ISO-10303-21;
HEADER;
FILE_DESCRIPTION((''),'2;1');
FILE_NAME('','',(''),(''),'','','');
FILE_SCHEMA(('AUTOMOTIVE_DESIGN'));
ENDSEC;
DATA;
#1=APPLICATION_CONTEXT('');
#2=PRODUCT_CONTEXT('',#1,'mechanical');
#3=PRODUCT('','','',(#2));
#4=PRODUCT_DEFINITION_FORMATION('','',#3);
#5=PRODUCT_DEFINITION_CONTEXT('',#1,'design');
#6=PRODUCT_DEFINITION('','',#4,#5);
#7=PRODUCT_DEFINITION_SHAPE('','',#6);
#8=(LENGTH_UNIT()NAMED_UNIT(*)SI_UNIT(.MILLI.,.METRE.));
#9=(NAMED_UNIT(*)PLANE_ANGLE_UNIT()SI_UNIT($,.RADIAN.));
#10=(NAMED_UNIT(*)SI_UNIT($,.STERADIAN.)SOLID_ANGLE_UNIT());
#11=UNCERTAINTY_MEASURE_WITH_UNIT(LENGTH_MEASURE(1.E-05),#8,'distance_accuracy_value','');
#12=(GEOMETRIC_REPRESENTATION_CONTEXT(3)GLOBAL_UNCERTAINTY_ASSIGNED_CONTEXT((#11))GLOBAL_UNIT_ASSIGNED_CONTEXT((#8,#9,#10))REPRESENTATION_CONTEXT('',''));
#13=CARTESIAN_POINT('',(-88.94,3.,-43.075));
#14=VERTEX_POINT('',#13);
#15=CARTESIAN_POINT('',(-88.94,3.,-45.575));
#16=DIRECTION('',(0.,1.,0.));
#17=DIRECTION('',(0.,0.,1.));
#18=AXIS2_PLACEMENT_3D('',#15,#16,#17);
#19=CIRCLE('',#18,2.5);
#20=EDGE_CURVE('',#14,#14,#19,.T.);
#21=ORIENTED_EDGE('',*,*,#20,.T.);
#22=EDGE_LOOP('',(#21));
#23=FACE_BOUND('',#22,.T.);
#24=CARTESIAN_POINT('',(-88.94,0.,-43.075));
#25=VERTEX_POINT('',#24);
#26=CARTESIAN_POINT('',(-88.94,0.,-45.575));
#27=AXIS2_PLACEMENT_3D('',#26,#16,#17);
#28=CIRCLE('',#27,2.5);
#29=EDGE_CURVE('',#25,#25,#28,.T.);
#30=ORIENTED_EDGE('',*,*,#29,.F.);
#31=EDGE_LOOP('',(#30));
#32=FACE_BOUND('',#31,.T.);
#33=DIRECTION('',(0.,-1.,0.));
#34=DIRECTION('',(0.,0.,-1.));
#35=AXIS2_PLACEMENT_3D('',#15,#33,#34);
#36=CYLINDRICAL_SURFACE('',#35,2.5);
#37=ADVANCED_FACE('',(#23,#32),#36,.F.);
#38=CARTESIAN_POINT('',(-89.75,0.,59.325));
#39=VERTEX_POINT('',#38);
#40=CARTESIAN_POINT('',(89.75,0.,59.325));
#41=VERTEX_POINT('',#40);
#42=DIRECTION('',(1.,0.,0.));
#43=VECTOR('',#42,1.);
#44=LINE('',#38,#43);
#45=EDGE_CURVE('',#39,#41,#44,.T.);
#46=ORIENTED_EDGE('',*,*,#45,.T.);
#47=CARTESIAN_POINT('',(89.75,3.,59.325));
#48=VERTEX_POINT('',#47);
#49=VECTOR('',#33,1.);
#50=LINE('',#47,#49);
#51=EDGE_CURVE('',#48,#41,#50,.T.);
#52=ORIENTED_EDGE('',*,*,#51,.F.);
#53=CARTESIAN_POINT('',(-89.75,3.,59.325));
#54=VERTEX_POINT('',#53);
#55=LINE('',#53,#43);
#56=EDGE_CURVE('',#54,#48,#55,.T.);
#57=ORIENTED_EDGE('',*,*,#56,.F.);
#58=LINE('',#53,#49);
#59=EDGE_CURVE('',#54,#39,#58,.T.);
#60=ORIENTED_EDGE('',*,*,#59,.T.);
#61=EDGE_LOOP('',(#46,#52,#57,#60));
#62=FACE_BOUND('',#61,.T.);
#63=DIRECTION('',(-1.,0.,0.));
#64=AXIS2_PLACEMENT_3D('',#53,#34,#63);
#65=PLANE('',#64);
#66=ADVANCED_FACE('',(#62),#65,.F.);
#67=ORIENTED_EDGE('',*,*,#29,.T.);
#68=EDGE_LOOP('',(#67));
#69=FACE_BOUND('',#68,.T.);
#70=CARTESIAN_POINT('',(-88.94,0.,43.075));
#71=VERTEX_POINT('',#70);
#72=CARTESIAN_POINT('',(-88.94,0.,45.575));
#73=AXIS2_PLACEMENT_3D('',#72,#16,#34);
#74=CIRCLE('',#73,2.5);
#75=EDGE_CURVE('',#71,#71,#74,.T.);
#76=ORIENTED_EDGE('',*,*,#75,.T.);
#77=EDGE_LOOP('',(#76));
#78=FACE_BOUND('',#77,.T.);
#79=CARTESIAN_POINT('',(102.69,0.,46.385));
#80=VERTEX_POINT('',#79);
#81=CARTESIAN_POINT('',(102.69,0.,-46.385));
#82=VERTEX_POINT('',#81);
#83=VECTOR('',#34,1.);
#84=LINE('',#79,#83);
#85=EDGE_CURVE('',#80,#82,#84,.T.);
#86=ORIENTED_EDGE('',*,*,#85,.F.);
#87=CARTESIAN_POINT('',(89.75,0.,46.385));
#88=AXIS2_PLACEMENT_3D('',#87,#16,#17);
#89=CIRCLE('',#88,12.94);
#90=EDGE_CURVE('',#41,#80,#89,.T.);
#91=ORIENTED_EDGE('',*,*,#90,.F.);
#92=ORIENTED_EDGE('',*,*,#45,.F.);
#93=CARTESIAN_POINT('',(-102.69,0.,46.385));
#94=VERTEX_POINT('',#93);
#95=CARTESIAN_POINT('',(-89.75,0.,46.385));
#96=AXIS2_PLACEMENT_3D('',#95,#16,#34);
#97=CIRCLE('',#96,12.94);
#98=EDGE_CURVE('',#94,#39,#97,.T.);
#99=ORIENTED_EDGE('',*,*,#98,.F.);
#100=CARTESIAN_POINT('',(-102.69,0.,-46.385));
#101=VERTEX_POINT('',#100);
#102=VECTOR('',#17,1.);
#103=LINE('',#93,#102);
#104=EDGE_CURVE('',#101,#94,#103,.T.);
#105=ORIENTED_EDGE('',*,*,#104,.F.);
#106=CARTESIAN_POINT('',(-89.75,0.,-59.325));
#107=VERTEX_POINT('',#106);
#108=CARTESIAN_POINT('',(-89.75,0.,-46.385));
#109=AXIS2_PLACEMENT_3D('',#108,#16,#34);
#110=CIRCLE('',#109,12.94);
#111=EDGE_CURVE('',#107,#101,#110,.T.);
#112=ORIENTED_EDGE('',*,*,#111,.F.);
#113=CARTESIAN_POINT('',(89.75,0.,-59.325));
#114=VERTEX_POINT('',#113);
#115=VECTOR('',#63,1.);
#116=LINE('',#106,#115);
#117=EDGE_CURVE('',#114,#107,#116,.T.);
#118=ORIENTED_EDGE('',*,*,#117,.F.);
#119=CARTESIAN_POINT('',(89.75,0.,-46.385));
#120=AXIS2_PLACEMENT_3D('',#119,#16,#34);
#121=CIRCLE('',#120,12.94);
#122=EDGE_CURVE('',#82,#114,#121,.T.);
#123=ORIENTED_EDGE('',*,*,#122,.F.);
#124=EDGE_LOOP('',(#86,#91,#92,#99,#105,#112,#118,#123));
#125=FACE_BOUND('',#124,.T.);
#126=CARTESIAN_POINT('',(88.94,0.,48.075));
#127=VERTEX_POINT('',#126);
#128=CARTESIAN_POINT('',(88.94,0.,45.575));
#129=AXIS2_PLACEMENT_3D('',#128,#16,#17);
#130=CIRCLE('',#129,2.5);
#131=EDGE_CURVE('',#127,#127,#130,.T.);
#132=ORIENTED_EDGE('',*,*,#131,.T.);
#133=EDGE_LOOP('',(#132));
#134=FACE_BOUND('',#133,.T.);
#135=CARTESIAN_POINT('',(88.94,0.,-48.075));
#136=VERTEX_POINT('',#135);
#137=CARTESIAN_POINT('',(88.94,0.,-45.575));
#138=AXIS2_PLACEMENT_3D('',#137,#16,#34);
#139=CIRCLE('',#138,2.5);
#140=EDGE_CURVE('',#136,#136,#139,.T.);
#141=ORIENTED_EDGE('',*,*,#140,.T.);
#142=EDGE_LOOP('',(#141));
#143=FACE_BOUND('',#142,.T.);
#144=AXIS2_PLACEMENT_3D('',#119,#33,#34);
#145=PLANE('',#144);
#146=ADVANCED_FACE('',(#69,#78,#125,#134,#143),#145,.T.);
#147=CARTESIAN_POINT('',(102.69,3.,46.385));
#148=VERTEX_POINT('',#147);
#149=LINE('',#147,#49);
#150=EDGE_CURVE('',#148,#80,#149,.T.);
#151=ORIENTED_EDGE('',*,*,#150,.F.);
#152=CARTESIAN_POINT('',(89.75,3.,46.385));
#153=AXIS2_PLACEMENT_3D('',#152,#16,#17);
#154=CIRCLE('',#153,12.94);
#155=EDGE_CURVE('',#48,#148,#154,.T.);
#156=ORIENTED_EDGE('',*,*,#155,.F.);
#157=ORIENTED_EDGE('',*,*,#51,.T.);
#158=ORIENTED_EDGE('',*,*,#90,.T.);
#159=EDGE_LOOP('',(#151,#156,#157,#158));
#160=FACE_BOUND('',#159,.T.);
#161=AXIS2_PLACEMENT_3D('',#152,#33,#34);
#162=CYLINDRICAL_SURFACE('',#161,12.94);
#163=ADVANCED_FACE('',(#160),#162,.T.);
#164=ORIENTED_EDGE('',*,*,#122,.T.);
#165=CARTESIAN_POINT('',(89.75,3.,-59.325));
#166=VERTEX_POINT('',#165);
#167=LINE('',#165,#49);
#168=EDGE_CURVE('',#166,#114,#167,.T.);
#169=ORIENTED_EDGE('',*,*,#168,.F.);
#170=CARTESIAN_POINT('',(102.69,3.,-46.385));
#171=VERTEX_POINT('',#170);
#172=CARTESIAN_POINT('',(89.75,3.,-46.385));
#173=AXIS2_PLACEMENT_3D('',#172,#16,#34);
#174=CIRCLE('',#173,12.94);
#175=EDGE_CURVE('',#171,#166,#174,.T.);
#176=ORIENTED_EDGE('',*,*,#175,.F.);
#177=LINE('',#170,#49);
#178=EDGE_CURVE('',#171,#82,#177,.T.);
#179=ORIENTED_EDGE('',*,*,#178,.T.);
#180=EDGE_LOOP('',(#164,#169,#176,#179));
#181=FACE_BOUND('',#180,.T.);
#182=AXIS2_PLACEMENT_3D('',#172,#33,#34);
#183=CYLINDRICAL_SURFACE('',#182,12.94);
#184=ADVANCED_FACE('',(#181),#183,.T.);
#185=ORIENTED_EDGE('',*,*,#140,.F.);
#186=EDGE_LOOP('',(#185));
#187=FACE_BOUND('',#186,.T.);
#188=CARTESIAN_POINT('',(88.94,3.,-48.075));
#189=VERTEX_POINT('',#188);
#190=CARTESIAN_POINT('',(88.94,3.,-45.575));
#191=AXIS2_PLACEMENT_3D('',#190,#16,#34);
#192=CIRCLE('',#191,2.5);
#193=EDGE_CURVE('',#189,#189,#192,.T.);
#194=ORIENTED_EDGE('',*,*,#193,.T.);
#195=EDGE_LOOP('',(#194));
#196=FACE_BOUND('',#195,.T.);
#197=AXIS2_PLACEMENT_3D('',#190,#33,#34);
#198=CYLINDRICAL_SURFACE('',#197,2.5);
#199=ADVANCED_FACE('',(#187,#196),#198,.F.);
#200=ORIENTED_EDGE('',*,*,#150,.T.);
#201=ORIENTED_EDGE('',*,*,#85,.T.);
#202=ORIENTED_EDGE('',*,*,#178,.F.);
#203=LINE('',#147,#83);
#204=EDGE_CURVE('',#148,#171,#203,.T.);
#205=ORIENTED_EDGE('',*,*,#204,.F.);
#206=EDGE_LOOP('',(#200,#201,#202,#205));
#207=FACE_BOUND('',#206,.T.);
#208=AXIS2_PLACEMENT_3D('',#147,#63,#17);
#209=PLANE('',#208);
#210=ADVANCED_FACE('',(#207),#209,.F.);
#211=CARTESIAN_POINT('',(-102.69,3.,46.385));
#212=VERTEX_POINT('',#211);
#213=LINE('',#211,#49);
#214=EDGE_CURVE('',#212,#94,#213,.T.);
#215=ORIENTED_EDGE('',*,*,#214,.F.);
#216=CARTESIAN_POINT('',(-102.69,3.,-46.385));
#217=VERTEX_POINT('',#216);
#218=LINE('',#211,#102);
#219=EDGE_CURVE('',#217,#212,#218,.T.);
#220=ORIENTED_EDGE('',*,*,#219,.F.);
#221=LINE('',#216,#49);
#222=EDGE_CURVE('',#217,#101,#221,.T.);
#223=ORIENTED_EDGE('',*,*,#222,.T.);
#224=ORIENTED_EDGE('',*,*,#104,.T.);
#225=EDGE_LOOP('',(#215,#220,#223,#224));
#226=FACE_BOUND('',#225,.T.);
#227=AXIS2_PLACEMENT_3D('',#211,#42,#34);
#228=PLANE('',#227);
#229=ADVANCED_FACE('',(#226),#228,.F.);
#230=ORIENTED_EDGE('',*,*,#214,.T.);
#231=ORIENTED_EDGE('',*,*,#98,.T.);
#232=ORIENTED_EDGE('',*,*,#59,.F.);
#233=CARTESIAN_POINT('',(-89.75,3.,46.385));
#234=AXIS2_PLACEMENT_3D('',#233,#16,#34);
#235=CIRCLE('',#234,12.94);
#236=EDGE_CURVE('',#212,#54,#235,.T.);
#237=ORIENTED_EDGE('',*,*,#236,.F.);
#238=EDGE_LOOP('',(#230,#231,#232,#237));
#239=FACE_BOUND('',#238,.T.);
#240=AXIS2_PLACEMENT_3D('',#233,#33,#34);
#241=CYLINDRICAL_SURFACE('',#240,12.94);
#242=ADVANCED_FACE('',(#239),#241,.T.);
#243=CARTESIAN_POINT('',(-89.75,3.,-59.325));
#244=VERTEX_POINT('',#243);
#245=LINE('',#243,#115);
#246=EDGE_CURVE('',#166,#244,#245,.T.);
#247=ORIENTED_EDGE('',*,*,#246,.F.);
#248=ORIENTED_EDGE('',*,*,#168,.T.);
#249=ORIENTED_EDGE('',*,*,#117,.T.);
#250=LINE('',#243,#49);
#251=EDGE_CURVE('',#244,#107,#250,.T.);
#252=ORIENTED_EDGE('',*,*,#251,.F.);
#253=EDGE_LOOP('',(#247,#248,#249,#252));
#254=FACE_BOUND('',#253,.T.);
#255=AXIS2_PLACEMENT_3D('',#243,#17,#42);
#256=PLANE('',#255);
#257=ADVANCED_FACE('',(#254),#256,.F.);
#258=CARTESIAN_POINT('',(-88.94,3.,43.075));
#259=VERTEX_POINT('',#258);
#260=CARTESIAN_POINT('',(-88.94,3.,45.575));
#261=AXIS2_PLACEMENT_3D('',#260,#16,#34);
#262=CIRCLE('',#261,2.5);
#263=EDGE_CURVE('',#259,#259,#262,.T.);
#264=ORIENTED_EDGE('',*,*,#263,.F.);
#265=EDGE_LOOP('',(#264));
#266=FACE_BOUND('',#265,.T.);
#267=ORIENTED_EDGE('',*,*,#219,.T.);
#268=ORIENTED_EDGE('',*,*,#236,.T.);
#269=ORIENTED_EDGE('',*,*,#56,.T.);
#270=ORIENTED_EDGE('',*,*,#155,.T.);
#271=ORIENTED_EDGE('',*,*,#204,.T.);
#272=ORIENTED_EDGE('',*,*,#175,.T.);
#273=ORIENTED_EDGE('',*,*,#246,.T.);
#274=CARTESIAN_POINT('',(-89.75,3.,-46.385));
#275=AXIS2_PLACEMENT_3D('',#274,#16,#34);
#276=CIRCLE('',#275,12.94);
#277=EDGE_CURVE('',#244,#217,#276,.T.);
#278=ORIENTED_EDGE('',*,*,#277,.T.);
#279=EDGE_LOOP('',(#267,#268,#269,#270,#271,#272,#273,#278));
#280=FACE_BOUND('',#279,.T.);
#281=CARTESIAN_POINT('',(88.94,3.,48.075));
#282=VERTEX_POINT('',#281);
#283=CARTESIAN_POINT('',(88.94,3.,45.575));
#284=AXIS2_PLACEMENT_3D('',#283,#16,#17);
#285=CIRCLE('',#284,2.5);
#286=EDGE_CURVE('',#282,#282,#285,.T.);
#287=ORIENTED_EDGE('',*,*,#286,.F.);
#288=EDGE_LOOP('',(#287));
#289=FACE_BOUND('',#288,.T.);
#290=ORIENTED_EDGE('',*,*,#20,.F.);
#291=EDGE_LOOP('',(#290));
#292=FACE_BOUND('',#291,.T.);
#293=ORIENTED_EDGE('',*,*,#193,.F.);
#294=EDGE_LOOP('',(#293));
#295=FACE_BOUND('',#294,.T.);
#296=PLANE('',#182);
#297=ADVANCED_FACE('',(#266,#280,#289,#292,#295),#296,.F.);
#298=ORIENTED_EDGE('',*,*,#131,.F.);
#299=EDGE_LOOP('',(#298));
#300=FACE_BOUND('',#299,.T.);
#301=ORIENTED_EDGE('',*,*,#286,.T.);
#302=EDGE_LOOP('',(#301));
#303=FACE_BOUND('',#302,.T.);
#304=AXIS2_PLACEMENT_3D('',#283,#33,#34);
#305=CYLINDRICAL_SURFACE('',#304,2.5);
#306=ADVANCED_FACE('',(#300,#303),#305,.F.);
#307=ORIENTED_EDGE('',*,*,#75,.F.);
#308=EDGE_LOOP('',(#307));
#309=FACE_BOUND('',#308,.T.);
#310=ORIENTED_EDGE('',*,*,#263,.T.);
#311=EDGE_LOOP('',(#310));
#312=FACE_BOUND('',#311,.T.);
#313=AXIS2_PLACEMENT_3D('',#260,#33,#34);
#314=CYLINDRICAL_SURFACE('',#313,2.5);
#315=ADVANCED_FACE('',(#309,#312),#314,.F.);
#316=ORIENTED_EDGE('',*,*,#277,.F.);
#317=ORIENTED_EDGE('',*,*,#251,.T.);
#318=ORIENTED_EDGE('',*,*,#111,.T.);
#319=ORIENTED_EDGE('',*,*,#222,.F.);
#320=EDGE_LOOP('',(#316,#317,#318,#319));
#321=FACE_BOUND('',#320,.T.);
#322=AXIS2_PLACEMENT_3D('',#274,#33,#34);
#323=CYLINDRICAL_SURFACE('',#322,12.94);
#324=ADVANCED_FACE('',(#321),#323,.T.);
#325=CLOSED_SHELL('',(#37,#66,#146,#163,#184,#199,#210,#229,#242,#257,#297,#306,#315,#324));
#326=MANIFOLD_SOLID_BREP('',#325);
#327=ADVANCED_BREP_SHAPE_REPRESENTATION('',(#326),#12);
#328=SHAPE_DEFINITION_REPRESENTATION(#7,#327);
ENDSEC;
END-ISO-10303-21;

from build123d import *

# Parameters (mm, degrees)
SKETCH2_R           = 2.5
BOSS_EXTRUDE1_DEPTH = 3


with BuildPart() as part:
    # Sketch2 → Boss-Extrude1 (new body)
    with BuildSketch(Plane(origin=(0, 0, 0), x_dir=(1, 0, 0), z_dir=(0, 1, 0))):
        with BuildLine():
            Line((-89.75, -59.325), (89.75, -59.325))
            ThreePointArc((89.75, -59.325), (98.899961749, -55.534961749), (102.69, -46.385))
            Line((102.69, -46.385), (102.69, 46.385))
            ThreePointArc((102.69, 46.385), (98.899961749, 55.534961749), (89.75, 59.325))
            Line((89.75, 59.325), (-89.75, 59.325))
            ThreePointArc((-89.75, 59.325), (-98.899961749, 55.534961749), (-102.69, 46.385))
            Line((-102.69, 46.385), (-102.69, -46.385))
            ThreePointArc((-102.69, -46.385), (-98.899961749, -55.534961749), (-89.75, -59.325))
        make_face()
        with Locations(Location((-88.94, 45.575, 0), (0, 0, 270))):
            Circle(SKETCH2_R, mode=Mode.SUBTRACT)
        with Locations(Location((88.94, 45.575, 0), (0, 0, 90))):
            Circle(SKETCH2_R, mode=Mode.SUBTRACT)
        with Locations(Location((88.94, -45.575, 0), (0, 0, 270))):
            Circle(SKETCH2_R, mode=Mode.SUBTRACT)
        with Locations(Location((-88.94, -45.575, 0), (0, 0, 90))):
            Circle(SKETCH2_R, mode=Mode.SUBTRACT)
    extrude(amount=BOSS_EXTRUDE1_DEPTH)


solid = part.part
